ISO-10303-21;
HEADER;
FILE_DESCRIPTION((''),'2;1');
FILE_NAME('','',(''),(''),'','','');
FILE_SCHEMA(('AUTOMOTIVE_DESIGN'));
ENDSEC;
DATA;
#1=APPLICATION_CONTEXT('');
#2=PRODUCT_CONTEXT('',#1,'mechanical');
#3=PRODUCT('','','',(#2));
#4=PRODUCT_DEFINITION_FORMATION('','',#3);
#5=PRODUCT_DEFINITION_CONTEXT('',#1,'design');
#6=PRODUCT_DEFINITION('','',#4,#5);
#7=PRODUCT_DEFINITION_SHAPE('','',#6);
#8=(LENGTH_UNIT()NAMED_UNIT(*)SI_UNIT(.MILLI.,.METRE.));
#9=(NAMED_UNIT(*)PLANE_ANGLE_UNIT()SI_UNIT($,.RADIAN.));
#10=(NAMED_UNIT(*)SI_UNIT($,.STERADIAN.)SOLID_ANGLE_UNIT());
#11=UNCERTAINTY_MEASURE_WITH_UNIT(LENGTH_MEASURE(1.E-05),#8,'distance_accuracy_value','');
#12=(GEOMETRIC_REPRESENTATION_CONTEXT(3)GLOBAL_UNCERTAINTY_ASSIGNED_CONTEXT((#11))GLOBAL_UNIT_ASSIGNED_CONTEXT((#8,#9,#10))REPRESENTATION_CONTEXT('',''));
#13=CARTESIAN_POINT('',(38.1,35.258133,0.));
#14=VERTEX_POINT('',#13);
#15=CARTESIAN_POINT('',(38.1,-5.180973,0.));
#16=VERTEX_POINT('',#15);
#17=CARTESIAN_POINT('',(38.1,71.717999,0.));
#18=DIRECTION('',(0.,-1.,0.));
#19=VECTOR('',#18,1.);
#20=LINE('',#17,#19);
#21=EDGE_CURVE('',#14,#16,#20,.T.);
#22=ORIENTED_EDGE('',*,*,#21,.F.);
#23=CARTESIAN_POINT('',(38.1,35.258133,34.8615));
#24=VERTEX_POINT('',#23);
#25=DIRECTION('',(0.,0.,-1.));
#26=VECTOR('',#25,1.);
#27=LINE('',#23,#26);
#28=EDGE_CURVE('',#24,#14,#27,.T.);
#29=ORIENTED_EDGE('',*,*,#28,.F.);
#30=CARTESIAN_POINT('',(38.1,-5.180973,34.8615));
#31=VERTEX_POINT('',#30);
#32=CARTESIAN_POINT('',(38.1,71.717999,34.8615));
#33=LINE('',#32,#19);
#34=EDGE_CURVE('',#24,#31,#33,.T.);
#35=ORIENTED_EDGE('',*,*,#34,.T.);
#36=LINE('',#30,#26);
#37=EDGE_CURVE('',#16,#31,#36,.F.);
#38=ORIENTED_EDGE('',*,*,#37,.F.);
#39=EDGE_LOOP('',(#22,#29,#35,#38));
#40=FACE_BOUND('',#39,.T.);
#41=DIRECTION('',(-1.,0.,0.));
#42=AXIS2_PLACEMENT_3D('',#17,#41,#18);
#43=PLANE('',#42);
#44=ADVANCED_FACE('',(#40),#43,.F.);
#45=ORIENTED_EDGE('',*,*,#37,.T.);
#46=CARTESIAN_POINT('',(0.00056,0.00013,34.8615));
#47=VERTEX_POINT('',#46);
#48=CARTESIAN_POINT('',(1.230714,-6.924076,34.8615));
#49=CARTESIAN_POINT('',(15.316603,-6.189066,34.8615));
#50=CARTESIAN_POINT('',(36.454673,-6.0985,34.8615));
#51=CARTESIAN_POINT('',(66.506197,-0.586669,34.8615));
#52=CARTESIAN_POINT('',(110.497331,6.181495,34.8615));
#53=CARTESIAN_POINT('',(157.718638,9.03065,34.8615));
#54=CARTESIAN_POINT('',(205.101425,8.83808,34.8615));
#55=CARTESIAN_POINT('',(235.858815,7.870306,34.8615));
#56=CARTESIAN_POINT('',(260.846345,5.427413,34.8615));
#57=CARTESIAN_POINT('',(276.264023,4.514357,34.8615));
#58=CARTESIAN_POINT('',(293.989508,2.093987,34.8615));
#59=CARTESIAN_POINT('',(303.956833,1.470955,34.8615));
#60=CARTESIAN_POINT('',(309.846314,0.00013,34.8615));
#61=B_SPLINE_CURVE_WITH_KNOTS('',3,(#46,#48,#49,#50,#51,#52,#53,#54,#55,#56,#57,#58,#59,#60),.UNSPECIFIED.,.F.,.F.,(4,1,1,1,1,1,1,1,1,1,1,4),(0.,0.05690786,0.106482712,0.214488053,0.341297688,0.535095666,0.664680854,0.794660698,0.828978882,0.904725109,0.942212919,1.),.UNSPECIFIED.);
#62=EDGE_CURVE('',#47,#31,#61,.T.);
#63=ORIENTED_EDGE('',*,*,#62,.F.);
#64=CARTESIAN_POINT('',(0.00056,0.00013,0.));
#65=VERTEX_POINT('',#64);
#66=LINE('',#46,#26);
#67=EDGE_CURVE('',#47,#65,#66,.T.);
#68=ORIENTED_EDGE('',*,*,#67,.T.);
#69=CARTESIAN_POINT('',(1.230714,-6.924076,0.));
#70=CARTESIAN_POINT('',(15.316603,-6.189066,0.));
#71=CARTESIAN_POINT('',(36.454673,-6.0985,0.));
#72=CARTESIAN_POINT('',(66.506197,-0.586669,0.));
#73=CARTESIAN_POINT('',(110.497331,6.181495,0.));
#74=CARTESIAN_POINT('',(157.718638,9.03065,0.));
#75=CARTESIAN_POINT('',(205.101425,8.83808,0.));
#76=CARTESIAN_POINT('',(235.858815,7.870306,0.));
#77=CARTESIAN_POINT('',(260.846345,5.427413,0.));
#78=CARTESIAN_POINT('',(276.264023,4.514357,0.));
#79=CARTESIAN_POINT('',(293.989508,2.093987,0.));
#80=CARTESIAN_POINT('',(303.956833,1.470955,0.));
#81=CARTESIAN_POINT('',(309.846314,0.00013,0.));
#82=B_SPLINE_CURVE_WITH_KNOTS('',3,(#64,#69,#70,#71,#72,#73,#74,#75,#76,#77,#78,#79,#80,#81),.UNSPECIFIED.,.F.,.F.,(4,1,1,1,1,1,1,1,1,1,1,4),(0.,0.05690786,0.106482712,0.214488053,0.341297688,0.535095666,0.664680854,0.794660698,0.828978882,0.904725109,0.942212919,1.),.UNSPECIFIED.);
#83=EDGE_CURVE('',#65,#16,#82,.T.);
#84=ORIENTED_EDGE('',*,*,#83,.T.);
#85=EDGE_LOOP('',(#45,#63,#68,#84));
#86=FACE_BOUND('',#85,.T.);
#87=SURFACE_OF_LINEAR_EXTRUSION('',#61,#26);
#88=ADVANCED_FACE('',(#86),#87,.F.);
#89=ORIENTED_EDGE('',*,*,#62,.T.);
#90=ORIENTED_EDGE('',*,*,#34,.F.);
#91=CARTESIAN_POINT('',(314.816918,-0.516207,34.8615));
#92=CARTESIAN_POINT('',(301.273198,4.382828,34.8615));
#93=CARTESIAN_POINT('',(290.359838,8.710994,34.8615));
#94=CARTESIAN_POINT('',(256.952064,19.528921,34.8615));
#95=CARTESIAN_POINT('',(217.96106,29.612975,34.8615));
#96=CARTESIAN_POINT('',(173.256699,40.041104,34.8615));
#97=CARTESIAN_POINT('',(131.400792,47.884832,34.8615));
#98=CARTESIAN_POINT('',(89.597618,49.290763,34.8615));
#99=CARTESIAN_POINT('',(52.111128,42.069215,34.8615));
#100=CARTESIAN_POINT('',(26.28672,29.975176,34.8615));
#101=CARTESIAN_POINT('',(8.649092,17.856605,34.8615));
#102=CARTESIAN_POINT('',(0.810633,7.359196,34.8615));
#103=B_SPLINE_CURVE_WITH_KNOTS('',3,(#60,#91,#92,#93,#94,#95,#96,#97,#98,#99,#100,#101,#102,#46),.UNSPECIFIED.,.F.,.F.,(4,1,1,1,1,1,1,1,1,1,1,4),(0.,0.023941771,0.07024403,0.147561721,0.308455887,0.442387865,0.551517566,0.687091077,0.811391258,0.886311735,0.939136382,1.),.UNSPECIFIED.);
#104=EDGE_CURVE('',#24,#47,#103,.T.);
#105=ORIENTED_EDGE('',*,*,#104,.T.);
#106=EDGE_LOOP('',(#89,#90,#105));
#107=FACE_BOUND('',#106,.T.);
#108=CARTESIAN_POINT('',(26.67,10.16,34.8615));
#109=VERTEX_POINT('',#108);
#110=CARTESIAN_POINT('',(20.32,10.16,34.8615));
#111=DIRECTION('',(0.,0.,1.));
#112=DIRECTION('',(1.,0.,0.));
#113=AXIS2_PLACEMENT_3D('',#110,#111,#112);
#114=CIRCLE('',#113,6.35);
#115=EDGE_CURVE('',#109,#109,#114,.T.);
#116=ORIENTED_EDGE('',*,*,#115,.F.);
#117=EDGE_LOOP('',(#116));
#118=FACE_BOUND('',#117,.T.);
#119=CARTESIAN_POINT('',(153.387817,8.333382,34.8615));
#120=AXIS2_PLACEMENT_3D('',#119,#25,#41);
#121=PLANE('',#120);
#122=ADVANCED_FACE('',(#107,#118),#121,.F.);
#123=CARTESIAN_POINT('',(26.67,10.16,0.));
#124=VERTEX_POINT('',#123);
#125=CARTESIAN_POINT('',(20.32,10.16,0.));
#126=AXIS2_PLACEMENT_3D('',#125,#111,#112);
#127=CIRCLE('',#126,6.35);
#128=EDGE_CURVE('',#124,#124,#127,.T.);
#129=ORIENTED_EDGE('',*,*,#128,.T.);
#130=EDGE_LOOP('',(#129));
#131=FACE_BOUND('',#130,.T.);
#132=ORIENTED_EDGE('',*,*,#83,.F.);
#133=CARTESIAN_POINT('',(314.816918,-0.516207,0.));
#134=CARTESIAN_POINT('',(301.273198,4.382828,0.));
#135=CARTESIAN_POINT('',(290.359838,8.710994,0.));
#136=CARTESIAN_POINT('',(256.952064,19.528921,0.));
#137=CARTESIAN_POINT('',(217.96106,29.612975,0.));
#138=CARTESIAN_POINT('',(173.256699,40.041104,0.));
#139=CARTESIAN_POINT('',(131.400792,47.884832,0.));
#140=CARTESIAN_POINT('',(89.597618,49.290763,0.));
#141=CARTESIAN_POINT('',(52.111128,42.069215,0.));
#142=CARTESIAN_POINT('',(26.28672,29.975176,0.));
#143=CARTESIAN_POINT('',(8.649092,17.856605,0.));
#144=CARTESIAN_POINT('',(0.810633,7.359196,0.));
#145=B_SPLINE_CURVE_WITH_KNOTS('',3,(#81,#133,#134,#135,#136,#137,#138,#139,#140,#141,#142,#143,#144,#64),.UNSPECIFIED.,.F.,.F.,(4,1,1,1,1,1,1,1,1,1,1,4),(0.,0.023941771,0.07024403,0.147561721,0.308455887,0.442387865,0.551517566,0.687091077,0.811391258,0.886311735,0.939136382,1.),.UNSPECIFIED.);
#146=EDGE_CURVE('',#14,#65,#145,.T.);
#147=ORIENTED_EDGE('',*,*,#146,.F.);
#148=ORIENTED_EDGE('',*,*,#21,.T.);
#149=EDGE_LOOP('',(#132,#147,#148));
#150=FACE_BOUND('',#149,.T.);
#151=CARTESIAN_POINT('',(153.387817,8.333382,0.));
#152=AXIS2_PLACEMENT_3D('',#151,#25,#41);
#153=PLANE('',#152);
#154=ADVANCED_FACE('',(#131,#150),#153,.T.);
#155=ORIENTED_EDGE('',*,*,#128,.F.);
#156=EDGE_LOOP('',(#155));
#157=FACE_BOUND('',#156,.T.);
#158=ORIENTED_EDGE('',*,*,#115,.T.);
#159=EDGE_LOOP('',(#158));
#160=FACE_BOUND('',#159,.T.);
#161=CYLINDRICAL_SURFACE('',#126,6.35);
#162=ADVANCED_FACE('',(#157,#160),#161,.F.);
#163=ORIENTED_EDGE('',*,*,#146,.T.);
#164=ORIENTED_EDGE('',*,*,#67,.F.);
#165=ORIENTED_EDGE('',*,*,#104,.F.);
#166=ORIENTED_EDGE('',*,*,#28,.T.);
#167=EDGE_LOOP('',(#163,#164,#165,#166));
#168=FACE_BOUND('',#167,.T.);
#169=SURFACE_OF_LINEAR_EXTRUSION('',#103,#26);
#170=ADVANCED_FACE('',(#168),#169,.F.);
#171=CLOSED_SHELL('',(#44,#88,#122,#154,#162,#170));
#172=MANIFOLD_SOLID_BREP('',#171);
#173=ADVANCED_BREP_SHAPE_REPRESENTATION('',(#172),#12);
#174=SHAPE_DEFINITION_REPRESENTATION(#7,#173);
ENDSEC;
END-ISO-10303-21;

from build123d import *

# Parameters (mm, degrees)
BOSS_EXTRUDE1_DEPTH = 34.8615
SKETCH2_R           = 6.35
SKETCH2_R_2         = 3.175
CUT_EXTRUDE1_DEPTH  = 318.646799811
SKETCH3_W           = 293.188888759
SKETCH3_H           = 137.971241769
CUT_EXTRUDE2_DEPTH  = 318.646799811


with BuildPart() as part:
    # Sketch1 → Boss-Extrude1 (new body)
    with BuildSketch(Plane.XY):
        with BuildLine():
            add(Edge.make_bspline(
                [(0.000560351, 0.000130087), (0.810633127, 7.359196055), (8.649092025, 17.856605174), (26.286719818, 29.975176328), (52.111128271, 42.069215275), (89.597618475, 49.290763054), (131.400792109, 47.884831915), (173.256699242, 40.041104278), (217.961060472, 29.612974894), (256.952064401, 19.528920948), (290.35983767, 8.71099439), (301.273197721, 4.382828139), (314.816918223, -0.516206742), (309.846313895, 0.000130087)],
                knots=[0, 0, 0, 0, 0.060863618, 0.113688265, 0.188608742, 0.312908923, 0.448482434, 0.557612135, 0.691544113, 0.852438279, 0.92975597, 0.976058229, 1, 1, 1, 1], degree=3))
            add(Edge.make_bspline(
                [(309.846313895, 0.000130087), (303.956832565, 1.47095521), (293.989507544, 2.093987313), (276.26402299, 4.514356704), (260.846344817, 5.427413394), (235.858814759, 7.870306192), (205.101424636, 8.838080282), (157.718638092, 9.030650149), (110.497331172, 6.181495223), (66.506197185, -0.586669107), (36.454672816, -6.098499901), (15.316603331, -6.189065841), (1.230714189, -6.924076091), (0.000560351, 0.000130087)],
                knots=[0, 0, 0, 0, 0.057787081, 0.095274891, 0.171021118, 0.205339302, 0.335319146, 0.464904334, 0.658702312, 0.785511947, 0.893517288, 0.94309214, 1, 1, 1, 1], degree=3))
        make_face()
    extrude(amount=BOSS_EXTRUDE1_DEPTH)

    # Sketch2 → Cut-Extrude1 (cut, through all)
    with BuildSketch(Plane.XY.offset(34.8615)):
        with Locations((20.32, 10.16)):
            Circle(SKETCH2_R)
        with Locations((227.296313895, 19.050130087)):
            Circle(SKETCH2_R_2)
    extrude(amount=-CUT_EXTRUDE1_DEPTH, mode=Mode.SUBTRACT)

    # Sketch3 → Cut-Extrude2 (cut, through all)
    with BuildSketch(Plane.XY.offset(34.8615)):
        with Locations((184.69444438, 2.732377951)):
            Rectangle(SKETCH3_W, SKETCH3_H)
    extrude(amount=-CUT_EXTRUDE2_DEPTH, mode=Mode.SUBTRACT)


solid = part.part
